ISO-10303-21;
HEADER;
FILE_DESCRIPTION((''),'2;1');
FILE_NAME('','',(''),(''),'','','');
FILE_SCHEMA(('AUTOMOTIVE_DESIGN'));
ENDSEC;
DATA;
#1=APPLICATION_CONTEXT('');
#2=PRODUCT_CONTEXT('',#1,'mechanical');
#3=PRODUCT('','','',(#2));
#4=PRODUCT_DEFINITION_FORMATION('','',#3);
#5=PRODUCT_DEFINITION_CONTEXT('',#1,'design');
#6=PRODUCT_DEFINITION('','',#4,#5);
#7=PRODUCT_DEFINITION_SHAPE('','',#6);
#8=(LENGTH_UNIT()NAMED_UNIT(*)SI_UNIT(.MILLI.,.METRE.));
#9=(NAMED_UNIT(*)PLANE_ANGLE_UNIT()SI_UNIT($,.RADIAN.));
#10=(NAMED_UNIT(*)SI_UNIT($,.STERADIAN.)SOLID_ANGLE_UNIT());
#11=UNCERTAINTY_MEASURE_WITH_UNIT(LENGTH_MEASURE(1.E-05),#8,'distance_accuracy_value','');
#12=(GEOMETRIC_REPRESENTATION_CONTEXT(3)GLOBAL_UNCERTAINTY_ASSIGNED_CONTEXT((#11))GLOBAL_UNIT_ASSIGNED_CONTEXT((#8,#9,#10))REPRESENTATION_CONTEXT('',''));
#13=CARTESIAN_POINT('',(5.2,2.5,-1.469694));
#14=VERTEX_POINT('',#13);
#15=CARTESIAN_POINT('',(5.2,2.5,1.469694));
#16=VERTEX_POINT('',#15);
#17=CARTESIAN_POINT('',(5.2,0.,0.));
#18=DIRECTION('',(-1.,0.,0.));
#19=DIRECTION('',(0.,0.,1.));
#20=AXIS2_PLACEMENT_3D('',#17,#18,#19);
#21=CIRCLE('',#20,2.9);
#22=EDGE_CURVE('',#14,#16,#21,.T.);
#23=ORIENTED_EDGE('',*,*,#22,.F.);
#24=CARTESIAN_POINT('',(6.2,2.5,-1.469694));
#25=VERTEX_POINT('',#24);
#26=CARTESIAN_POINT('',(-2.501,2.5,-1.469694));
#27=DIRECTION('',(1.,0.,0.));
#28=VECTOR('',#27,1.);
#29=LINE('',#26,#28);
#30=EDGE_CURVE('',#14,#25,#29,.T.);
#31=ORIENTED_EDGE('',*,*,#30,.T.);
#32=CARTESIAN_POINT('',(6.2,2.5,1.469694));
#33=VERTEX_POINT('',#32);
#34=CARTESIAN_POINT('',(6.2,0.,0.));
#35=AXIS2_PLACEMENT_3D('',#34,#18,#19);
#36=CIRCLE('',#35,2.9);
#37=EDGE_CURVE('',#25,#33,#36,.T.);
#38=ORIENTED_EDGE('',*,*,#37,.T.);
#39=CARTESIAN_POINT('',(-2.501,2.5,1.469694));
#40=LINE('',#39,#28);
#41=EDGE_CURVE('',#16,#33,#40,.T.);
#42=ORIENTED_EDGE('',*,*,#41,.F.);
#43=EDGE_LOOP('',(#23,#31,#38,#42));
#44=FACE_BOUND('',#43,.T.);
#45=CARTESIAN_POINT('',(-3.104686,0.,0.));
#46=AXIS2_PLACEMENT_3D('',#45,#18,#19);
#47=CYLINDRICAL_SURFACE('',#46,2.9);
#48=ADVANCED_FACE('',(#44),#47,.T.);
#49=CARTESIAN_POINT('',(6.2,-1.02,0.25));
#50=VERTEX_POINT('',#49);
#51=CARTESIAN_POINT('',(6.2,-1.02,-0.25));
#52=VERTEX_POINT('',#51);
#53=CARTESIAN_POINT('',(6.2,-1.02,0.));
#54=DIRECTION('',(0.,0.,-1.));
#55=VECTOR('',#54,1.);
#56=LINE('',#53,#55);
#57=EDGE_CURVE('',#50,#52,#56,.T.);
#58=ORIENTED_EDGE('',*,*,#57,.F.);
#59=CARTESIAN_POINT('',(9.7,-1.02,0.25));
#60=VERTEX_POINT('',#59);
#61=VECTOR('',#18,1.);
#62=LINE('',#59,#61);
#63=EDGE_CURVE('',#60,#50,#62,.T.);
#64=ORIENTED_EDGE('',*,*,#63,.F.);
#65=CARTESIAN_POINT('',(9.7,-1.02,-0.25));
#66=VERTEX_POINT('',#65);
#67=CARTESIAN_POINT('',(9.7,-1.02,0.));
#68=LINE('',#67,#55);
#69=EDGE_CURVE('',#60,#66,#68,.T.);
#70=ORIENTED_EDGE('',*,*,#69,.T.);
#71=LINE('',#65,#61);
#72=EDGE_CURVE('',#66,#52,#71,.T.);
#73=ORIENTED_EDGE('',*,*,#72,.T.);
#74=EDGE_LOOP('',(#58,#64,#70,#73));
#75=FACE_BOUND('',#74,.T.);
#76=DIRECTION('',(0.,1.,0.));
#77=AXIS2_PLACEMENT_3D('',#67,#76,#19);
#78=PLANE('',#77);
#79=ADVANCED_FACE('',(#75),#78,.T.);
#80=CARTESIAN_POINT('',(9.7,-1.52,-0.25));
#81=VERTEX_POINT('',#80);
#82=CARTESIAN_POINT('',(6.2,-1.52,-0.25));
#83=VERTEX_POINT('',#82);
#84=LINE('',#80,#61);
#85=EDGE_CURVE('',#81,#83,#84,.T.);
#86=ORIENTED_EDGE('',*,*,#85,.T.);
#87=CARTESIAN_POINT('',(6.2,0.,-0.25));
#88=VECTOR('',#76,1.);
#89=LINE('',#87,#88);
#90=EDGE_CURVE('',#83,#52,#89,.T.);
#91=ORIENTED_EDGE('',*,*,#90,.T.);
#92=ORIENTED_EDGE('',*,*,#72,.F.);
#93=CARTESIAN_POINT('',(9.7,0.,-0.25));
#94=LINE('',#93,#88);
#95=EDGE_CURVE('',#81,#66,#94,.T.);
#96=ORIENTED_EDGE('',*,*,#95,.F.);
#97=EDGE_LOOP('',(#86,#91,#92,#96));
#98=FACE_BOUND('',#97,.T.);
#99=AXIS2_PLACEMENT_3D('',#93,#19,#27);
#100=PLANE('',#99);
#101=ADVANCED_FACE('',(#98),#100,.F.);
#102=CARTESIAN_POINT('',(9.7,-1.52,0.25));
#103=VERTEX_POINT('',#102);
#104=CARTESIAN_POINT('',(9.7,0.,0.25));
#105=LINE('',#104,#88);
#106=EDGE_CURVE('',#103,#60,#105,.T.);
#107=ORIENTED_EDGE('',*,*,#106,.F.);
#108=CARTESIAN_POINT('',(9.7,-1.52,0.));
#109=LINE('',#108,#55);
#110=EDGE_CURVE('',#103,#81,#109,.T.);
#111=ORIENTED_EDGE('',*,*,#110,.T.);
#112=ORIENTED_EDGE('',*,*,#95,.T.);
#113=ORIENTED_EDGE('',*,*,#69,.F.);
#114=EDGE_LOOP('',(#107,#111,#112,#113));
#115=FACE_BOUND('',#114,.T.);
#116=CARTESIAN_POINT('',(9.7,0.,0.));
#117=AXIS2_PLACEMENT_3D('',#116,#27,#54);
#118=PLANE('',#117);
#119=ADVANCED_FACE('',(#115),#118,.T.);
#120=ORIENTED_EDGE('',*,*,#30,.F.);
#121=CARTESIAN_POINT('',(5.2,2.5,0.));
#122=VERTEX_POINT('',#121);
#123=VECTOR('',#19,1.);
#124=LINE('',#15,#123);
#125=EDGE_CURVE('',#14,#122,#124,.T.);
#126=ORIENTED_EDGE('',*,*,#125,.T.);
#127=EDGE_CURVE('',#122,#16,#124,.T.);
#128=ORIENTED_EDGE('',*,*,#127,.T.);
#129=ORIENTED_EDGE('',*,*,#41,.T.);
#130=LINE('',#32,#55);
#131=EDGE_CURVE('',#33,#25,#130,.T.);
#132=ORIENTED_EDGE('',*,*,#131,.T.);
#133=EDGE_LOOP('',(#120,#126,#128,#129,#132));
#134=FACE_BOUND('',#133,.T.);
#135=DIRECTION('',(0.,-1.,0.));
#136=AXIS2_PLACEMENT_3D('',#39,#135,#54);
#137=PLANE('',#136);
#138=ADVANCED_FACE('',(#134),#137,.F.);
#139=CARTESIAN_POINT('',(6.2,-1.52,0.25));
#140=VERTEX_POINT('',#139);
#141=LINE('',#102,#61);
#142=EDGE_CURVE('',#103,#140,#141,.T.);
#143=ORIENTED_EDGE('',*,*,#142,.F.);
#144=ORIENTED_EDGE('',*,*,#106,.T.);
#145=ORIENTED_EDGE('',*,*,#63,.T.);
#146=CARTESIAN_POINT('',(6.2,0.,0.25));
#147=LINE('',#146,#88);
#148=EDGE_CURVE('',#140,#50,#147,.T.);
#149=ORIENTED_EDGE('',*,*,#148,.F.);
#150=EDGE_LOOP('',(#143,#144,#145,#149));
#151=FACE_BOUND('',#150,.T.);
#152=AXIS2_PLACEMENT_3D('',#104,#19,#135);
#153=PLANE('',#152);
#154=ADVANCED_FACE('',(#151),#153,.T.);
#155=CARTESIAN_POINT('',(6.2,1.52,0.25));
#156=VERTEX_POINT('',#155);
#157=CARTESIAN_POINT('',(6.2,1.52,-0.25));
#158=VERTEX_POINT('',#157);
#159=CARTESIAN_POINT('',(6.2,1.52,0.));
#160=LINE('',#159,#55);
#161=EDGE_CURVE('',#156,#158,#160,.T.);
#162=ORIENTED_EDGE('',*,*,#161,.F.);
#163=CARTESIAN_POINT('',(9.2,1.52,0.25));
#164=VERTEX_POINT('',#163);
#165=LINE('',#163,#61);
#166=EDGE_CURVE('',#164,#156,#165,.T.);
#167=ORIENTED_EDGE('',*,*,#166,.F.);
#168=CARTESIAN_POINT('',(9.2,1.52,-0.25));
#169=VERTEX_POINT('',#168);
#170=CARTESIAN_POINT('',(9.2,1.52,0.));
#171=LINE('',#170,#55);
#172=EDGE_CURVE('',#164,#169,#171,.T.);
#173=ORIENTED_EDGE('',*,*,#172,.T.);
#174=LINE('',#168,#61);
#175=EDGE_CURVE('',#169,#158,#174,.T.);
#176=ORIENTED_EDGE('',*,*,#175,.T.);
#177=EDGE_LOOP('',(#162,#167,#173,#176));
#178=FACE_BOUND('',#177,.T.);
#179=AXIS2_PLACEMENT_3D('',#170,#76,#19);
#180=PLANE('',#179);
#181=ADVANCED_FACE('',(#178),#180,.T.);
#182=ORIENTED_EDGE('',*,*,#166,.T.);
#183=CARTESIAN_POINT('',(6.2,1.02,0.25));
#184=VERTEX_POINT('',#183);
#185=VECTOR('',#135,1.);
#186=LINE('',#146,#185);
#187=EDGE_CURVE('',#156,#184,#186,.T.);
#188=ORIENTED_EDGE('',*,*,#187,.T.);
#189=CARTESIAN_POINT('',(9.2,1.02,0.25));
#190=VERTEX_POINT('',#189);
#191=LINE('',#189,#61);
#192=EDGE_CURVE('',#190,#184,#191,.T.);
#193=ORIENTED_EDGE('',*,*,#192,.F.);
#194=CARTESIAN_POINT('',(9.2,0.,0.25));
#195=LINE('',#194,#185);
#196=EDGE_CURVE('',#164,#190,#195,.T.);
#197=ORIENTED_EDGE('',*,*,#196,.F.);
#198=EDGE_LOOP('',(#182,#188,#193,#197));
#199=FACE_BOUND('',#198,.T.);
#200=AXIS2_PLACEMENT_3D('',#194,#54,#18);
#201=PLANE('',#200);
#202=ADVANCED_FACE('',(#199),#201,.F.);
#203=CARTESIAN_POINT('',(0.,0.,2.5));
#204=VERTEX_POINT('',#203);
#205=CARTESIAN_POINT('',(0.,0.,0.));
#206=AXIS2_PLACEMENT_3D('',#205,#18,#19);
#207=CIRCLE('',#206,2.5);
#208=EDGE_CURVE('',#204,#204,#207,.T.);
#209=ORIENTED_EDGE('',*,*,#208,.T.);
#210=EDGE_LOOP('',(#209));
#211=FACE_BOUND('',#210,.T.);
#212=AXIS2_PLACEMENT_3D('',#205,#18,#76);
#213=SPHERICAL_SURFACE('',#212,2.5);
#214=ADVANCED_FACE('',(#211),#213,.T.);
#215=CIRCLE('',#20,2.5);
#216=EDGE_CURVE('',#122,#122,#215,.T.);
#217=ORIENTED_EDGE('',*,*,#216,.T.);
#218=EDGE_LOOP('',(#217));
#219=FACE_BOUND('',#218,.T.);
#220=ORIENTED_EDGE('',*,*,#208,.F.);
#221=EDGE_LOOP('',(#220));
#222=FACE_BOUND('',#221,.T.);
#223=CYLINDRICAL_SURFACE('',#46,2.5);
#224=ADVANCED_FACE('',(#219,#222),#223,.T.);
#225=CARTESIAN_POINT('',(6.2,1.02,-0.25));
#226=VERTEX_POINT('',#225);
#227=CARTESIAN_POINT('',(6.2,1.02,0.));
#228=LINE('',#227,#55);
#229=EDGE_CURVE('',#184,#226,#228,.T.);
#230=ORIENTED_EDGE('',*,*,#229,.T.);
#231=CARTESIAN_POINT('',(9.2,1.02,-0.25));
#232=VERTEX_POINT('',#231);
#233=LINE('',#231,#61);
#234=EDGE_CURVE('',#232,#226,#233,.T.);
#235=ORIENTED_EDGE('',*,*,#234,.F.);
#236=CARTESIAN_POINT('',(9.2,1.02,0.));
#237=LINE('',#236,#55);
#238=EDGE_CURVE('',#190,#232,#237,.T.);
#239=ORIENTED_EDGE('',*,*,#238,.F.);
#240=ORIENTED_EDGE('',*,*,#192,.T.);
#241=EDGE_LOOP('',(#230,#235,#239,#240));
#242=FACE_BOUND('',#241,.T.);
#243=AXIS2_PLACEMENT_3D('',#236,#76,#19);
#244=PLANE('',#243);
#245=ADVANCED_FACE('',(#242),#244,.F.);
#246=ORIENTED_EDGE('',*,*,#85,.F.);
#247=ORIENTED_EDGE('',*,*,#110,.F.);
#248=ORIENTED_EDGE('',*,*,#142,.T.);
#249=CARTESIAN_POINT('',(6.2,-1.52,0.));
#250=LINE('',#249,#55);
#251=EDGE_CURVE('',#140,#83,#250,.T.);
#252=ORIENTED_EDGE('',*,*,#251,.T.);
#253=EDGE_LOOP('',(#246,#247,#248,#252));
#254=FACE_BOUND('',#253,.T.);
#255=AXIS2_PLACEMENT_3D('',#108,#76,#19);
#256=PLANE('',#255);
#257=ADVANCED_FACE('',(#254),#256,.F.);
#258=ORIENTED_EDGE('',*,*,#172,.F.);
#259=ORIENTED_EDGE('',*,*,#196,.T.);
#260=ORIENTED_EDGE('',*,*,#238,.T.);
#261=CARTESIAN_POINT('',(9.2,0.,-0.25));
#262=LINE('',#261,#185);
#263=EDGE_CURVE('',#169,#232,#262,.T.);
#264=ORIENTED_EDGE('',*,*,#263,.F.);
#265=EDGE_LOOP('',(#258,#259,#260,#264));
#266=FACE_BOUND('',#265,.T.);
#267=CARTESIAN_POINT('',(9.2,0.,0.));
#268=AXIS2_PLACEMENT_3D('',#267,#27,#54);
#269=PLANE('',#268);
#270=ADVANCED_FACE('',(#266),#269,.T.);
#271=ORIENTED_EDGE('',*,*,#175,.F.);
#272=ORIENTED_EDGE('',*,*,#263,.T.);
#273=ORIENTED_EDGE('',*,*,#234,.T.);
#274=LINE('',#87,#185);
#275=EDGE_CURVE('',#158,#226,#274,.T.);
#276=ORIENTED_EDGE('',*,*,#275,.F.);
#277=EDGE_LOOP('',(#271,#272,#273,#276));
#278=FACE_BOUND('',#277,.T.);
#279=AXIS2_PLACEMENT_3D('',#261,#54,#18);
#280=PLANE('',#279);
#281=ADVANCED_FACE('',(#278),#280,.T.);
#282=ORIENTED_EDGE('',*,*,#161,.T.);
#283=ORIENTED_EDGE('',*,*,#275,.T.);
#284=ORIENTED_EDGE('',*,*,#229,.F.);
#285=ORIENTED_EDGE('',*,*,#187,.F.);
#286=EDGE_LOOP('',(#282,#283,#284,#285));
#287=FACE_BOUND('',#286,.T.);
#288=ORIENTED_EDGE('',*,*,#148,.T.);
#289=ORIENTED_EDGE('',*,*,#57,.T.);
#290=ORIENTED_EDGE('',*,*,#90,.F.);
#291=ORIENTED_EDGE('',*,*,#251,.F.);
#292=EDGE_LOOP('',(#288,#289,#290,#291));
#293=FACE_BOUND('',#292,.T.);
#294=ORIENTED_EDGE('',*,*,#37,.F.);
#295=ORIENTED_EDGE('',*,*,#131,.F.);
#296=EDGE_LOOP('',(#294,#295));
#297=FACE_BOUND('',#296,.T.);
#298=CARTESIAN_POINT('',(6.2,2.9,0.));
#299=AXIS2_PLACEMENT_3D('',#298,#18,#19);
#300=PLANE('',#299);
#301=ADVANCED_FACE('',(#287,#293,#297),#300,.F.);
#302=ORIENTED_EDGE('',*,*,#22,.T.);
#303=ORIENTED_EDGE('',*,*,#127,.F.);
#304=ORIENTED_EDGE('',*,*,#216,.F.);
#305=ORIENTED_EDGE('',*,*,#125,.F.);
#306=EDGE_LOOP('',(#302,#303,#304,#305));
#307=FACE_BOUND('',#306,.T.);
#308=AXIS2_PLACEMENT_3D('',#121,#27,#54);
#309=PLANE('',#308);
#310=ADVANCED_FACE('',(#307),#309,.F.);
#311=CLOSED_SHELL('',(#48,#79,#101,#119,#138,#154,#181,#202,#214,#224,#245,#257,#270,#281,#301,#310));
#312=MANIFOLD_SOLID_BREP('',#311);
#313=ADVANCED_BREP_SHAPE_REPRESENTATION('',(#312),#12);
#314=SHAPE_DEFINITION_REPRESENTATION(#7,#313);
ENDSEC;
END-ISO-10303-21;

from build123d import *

# Parameters (mm, degrees)
CUT_EXTRUDE_1_REACH = 11.618
SKETCH_2_W          = 0.5
SKETCH_2_H          = 0.5
EXTRUDE_1_DEPTH     = 3.5
SKETCH_2_3_W        = 0.5
SKETCH_2_3_H        = 0.5
EXTRUDE_2_DEPTH     = 3


with BuildPart() as part:
    # 草图1 → 旋转1 (revolve)
    with BuildSketch(Plane.XY):
        with BuildLine():
            Line((0, 2.5), (5.2, 2.5))
            Line((5.2, 2.5), (5.2, 2.9))
            Line((5.2, 2.9), (6.2, 2.9))
            Line((6.2, 2.9), (6.2, 2.5))
            Line((6.2, 2.5), (6.2, 0))
            Line((6.2, 0), (-2.5, 0))
            ThreePointArc((-2.5, 0), (-1.767766953, 1.767766953), (0, 2.5))
        make_face()
    revolve(axis=Axis((-3.104685715, 0, 0), (1, 0, 0)))

    # 草图4 → 切除-拉伸1 (cut, up to next)
    with BuildSketch(Plane(origin=(6.2, 0, 0), x_dir=(0, 0, -1), z_dir=(1, 0, 0)), mode=Mode.PRIVATE) as cut_extrude_1_sk1:
        with BuildLine():
            Line((-1.469693846, 2.5), (1.469693846, 2.5))
            ThreePointArc((1.469693846, 2.5), (0, 2.9), (-1.469693846, 2.5))
        make_face()
    cut_extrude_1_tool1 = extrude(cut_extrude_1_sk1.sketch, amount=-CUT_EXTRUDE_1_REACH, mode=Mode.PRIVATE) & part.part
    add(cut_extrude_1_tool1.solids().sort_by_distance((6.2, 2.660985, 0))[0], mode=Mode.SUBTRACT)

    # 草图2 → 凸台-拉伸1 (add)
    with BuildSketch(Plane(origin=(6.2, 0, 0), x_dir=(0, 0, -1), z_dir=(1, 0, 0))):
        with Locations((0, -1.27)):
            Rectangle(SKETCH_2_W, SKETCH_2_H)
    extrude(amount=EXTRUDE_1_DEPTH)

    # 草图2<3> → 凸台-拉伸2 (add)
    with BuildSketch(Plane(origin=(6.2, 0, 0), x_dir=(0, 0, -1), z_dir=(1, 0, 0))):
        with Locations((0, 1.27)):
            Rectangle(SKETCH_2_3_W, SKETCH_2_3_H)
    extrude(amount=EXTRUDE_2_DEPTH)


solid = part.part
